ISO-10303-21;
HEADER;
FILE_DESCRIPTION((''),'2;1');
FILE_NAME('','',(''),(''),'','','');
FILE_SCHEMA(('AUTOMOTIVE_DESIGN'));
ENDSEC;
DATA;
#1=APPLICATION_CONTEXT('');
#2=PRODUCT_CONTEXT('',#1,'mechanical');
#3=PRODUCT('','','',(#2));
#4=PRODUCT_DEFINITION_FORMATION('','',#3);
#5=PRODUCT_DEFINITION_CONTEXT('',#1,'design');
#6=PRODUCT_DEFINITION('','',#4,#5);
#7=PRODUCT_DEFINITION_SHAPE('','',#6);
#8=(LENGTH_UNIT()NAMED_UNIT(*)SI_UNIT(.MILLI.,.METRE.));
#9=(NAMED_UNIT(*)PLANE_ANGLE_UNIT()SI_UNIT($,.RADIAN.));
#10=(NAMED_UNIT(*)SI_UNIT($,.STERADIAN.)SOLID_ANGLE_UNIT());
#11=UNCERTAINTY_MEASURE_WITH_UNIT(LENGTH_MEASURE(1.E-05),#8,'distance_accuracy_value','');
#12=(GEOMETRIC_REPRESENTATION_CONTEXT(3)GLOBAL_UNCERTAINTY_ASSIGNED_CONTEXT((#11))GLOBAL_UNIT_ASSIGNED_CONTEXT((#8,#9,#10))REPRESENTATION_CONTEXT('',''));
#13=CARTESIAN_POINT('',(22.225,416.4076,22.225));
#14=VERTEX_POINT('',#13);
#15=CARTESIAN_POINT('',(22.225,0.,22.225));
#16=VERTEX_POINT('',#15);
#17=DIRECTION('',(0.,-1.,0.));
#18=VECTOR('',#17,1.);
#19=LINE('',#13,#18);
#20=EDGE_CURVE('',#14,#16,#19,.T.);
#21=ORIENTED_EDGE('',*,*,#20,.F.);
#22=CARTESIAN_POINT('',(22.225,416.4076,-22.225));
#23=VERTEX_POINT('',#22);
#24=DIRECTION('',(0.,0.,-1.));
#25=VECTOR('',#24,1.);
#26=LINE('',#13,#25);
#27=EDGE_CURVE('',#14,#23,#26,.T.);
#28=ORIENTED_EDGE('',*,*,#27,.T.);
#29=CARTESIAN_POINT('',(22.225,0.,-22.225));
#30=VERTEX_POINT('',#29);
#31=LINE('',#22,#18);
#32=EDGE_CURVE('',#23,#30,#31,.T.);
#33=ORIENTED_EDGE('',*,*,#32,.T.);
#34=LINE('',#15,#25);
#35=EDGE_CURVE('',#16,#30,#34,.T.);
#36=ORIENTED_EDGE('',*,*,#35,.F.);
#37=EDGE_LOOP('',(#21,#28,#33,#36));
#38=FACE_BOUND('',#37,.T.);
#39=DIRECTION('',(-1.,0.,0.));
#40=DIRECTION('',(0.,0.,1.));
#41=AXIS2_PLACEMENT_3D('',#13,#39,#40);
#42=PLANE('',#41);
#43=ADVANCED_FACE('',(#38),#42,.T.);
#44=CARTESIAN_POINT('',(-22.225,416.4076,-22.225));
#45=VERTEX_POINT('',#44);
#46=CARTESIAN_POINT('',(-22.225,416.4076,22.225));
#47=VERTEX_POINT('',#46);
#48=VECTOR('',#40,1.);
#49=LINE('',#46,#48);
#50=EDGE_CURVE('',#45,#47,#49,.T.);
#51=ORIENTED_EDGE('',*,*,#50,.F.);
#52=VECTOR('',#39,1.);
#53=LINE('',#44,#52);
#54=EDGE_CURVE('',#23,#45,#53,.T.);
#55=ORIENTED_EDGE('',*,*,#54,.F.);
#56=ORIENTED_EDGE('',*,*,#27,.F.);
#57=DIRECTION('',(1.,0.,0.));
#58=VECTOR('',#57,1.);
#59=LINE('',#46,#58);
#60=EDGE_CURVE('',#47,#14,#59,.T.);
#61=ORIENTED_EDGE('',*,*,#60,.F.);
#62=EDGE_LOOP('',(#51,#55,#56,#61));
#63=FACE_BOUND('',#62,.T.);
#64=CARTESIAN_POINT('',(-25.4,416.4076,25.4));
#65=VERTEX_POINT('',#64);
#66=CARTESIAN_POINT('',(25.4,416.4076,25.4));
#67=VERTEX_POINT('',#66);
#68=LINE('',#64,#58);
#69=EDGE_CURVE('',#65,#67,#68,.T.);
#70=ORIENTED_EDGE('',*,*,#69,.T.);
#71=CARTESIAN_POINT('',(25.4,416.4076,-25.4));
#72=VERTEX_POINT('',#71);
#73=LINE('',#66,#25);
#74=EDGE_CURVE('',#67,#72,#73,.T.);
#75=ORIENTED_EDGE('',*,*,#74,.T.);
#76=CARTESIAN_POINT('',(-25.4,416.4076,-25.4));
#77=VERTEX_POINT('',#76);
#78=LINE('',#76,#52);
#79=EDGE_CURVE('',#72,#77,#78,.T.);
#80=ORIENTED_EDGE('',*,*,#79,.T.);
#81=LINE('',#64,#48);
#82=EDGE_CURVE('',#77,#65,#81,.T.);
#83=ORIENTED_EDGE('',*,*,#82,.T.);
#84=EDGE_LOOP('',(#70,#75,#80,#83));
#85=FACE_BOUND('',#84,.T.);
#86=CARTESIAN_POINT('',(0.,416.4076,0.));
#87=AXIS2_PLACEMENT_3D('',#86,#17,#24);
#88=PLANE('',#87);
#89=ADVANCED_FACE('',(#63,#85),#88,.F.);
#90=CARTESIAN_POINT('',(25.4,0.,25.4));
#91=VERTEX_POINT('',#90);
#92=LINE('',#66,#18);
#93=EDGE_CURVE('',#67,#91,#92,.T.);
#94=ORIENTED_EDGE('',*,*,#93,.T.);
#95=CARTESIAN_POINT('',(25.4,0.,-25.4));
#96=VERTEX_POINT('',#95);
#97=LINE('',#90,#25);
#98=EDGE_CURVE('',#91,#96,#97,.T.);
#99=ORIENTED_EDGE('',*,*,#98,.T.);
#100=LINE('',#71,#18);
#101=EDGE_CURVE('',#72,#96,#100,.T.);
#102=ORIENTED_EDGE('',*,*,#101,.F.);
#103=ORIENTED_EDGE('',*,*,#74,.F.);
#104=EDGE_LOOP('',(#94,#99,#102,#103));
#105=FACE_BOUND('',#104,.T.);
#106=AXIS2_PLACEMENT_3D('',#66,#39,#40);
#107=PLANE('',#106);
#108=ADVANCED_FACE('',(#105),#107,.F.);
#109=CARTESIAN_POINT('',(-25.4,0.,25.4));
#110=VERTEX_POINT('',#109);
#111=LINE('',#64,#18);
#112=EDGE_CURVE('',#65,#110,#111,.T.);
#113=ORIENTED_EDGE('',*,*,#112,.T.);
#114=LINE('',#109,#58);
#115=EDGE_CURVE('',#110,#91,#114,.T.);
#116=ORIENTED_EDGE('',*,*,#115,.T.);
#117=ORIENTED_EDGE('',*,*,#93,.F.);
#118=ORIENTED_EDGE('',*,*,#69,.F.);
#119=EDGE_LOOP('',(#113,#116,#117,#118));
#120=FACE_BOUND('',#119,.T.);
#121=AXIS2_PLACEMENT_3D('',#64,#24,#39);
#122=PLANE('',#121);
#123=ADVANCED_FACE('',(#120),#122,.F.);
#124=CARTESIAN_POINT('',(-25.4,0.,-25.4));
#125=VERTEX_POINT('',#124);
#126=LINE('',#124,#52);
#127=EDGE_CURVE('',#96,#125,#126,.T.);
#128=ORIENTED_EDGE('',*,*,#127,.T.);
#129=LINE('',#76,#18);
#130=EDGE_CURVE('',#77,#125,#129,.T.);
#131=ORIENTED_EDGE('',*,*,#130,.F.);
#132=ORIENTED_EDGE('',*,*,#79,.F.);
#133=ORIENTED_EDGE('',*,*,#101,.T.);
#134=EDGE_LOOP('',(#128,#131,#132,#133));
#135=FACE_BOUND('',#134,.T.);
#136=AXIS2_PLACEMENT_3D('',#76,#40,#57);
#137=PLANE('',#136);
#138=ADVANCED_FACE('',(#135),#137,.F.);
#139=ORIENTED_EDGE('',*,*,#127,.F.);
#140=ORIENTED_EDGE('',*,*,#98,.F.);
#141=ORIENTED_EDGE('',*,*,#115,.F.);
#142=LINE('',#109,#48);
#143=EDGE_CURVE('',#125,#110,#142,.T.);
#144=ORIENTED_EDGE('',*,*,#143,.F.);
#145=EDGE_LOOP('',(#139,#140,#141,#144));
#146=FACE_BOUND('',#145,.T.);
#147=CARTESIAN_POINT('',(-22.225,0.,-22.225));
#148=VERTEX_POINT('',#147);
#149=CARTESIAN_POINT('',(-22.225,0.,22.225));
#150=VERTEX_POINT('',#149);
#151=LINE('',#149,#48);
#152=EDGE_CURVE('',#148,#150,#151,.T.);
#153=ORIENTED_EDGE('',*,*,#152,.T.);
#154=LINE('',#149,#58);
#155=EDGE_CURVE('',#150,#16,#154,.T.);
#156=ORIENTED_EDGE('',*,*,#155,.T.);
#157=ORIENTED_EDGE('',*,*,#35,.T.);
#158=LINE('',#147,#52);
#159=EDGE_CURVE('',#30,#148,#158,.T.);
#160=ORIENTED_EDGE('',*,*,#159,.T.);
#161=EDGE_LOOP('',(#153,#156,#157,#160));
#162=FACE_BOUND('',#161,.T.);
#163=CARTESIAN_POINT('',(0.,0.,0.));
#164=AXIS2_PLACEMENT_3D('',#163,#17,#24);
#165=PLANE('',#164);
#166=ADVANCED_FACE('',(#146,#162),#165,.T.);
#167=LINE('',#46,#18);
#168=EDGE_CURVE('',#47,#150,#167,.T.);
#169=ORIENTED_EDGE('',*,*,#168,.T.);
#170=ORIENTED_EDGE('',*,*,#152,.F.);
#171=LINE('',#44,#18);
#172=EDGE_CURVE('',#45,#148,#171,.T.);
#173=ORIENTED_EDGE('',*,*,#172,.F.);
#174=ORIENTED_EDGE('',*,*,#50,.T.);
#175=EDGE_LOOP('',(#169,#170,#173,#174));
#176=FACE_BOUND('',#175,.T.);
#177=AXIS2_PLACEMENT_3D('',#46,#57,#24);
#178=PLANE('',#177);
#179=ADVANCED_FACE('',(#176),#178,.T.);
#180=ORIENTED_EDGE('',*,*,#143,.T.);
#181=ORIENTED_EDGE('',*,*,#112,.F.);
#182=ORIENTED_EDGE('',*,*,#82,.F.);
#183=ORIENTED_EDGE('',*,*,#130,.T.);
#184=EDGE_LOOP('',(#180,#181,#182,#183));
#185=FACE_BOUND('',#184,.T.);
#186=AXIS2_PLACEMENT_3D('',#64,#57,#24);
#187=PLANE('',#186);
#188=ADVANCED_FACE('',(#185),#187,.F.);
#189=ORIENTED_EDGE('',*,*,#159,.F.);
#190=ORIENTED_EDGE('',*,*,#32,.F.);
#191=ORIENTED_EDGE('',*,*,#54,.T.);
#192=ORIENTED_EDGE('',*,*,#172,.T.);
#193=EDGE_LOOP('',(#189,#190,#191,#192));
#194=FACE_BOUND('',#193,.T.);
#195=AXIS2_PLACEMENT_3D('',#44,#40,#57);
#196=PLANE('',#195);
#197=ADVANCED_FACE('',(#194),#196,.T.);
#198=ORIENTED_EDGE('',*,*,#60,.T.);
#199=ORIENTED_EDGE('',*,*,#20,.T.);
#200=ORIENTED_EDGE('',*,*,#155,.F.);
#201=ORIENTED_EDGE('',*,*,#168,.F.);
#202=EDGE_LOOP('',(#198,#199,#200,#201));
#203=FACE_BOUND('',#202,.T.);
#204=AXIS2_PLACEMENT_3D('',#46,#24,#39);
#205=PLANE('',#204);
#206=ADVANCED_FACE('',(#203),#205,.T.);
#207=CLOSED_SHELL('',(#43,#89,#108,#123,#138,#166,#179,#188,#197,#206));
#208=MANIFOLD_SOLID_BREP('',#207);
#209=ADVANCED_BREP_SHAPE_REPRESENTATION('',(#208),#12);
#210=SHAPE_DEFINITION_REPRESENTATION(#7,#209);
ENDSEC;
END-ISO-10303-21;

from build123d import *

# Parameters (mm, degrees)
SKETCH3_W           = 50.8
SKETCH3_H           = 50.8
SKETCH3_W_2         = 44.45
SKETCH3_H_2         = 44.45
BOSS_EXTRUDE3_DEPTH = 416.4076


with BuildPart() as part:
    # Sketch3 → Boss-Extrude3 (new body)
    with BuildSketch(Plane(origin=(0, 0, 0), x_dir=(1, 0, 0), z_dir=(0, 1, 0))):
        Rectangle(SKETCH3_W, SKETCH3_H)
        Rectangle(SKETCH3_W_2, SKETCH3_H_2, mode=Mode.SUBTRACT)
    extrude(amount=BOSS_EXTRUDE3_DEPTH)


solid = part.part
